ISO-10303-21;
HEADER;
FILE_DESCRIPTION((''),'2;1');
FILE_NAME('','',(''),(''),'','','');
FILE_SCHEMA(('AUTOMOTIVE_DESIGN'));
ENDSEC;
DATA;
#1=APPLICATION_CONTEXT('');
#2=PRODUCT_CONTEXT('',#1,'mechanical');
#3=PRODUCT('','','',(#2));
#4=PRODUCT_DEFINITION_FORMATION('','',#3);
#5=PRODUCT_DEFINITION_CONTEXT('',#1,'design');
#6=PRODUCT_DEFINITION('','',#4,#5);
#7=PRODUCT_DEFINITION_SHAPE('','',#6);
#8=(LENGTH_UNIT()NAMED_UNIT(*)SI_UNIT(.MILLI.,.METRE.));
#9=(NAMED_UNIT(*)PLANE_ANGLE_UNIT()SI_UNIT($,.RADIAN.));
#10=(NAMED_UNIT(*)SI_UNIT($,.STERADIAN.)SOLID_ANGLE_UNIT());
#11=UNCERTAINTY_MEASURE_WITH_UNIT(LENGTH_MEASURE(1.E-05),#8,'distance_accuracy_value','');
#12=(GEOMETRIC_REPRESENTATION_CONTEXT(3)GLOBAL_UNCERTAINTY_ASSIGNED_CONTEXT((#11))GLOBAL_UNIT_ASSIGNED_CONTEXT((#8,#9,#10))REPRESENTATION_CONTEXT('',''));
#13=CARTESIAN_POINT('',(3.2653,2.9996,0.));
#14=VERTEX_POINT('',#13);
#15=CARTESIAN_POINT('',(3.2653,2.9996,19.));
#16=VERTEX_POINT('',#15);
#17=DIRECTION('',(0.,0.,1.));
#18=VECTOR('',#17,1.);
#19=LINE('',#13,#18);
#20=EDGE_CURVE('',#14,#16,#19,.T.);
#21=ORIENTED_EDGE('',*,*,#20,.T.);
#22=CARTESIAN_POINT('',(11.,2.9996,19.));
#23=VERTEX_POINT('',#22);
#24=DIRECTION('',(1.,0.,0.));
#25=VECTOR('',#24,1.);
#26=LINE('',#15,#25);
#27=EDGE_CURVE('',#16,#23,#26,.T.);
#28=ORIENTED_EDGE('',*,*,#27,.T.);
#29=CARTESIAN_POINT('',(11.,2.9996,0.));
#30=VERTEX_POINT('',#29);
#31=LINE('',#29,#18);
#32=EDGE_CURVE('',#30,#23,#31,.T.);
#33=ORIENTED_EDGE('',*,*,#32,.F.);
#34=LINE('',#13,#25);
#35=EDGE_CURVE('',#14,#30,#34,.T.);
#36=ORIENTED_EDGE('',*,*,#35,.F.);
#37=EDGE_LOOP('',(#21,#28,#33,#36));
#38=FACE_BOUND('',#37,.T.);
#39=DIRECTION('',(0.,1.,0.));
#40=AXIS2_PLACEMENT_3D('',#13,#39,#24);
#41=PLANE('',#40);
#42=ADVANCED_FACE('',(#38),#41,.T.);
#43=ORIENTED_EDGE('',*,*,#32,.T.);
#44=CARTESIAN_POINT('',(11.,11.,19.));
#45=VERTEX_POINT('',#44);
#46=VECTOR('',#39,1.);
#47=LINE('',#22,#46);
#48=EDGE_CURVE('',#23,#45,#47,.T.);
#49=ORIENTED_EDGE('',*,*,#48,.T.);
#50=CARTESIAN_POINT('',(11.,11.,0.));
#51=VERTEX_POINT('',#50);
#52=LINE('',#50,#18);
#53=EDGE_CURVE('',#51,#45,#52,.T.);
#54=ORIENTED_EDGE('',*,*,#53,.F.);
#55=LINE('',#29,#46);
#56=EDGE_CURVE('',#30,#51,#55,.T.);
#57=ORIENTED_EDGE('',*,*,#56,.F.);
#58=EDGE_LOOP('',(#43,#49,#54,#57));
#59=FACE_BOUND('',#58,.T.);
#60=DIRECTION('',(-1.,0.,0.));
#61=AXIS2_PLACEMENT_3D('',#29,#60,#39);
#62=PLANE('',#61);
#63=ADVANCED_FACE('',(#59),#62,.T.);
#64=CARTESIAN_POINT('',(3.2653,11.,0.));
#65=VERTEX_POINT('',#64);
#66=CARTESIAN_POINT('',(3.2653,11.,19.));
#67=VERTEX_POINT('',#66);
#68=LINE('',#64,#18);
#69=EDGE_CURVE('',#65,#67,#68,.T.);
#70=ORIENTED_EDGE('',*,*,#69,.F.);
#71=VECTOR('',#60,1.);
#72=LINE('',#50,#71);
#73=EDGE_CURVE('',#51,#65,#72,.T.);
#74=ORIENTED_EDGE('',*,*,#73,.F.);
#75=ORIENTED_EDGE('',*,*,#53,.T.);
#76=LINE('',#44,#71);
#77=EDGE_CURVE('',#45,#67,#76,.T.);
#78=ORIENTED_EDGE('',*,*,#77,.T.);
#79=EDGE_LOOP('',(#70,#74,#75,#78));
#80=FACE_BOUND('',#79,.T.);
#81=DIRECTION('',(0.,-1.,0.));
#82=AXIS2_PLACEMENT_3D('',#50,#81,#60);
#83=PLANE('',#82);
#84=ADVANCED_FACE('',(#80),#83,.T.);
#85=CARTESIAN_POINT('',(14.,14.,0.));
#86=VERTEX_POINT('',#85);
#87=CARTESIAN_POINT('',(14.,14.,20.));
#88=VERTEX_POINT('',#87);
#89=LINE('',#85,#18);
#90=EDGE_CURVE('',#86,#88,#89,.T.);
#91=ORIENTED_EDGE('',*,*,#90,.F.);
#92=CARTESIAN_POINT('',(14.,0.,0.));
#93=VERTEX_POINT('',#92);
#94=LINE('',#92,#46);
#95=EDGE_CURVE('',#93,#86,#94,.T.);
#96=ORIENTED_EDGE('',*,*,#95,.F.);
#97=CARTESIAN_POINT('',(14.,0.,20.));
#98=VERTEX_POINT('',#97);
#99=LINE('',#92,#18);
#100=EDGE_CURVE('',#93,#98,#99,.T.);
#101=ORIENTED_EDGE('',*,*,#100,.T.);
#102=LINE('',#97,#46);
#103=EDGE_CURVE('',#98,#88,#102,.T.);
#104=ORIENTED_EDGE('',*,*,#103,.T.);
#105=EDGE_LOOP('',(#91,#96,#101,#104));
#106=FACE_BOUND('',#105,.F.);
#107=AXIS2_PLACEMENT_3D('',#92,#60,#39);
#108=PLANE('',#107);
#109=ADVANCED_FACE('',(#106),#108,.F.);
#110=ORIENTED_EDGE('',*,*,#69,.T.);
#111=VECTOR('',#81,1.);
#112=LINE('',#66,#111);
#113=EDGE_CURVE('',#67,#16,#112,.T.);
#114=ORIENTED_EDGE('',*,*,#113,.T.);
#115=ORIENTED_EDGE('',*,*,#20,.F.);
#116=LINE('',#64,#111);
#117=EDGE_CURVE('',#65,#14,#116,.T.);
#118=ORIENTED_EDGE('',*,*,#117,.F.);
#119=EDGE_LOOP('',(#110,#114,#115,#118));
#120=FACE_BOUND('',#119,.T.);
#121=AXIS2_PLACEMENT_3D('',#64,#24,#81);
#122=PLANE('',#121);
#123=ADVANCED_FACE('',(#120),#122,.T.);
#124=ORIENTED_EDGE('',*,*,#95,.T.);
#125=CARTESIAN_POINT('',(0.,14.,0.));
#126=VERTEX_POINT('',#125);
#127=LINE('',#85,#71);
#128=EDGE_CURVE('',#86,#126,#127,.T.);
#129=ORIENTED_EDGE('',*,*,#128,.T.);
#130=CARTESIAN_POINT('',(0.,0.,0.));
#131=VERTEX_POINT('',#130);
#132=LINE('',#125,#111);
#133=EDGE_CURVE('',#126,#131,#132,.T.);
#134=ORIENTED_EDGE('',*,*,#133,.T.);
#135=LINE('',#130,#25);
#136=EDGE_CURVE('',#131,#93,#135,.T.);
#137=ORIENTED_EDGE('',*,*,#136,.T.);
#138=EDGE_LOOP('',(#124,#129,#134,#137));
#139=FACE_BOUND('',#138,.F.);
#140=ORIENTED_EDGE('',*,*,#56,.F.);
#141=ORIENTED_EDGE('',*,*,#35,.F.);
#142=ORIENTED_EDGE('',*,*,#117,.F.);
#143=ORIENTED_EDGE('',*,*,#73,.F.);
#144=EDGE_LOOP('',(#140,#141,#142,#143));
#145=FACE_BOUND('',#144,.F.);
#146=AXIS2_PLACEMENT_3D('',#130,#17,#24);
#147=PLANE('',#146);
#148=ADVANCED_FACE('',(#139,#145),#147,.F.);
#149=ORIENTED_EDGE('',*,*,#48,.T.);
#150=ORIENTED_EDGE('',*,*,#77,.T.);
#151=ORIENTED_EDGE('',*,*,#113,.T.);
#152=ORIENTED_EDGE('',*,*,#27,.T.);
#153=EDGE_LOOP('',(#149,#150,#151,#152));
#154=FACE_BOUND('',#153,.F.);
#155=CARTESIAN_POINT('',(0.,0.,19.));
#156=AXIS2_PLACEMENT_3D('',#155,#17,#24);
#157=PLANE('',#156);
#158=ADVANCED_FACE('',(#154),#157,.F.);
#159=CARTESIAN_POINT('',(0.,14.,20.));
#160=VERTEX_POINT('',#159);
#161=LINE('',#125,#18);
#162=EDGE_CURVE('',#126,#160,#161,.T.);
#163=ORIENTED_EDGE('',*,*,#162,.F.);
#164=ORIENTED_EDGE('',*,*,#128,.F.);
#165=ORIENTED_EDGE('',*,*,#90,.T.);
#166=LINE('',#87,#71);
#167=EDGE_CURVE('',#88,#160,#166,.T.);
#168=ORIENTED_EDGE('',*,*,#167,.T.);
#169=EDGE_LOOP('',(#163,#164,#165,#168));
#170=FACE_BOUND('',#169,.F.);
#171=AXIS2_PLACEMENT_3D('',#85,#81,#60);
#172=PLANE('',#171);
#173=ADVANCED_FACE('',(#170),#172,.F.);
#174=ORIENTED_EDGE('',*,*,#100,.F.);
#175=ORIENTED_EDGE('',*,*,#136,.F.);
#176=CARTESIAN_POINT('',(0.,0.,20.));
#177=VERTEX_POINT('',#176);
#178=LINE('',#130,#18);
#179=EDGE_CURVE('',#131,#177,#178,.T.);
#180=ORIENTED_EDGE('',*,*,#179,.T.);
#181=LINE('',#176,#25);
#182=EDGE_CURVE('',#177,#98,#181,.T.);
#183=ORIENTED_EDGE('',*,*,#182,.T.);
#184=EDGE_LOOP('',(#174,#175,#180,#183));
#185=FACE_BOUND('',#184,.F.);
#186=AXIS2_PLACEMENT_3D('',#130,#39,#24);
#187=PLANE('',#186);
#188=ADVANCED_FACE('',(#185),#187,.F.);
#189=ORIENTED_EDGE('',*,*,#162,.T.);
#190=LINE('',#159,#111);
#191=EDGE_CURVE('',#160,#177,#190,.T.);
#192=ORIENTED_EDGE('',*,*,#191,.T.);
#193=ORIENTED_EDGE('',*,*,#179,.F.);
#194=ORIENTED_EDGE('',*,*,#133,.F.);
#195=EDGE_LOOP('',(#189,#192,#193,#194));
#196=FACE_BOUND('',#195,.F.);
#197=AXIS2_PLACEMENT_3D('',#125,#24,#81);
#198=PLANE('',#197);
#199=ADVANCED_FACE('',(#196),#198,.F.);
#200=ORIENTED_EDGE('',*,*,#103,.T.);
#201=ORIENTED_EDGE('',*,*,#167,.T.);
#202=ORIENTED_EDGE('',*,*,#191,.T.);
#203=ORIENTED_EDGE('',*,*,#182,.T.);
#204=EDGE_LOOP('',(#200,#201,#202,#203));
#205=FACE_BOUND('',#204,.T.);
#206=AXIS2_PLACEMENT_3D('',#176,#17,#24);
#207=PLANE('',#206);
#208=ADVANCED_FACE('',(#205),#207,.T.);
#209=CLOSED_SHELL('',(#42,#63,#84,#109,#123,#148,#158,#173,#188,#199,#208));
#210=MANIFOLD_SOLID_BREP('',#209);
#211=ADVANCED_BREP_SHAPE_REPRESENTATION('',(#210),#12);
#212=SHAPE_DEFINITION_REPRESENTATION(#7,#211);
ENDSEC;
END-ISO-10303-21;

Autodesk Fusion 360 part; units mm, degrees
sketch "Sketch1" plane through (0, 0, 0) normal (0, 0, 1) x (1, 0, 0)
  line L0 (0, 0) -> (14, 0)
  line L1 (14, 0) -> (14, 14)
  line L2 (14, 14) -> (0, 14)
  line L3 (0, 14) -> (0, 0)
  line L4 (11, 11) -> (3.2653, 11)
  line L5 (3.2653, 11) -> (3.2653, 2.9996)
  line L6 (3.2653, 2.9996) -> (11, 2.9996)
  line L7 (11, 2.9996) -> (11, 11)
  line L8 (11, 11) -> (3.2653, 2.9996) construction
  line L9 (3.2653, 11) -> (11, 2.9996) construction
  point P0 (7.1326, 6.9998)
extrude "Extrude1" add sketch "Sketch1" along normal blind 20 contours L0 L1 L2 L3 | L4 L5 L6 L7
extrude "Extrude2" cut sketch "Sketch1" along normal blind 19 contours L4 L5 L6 L7
